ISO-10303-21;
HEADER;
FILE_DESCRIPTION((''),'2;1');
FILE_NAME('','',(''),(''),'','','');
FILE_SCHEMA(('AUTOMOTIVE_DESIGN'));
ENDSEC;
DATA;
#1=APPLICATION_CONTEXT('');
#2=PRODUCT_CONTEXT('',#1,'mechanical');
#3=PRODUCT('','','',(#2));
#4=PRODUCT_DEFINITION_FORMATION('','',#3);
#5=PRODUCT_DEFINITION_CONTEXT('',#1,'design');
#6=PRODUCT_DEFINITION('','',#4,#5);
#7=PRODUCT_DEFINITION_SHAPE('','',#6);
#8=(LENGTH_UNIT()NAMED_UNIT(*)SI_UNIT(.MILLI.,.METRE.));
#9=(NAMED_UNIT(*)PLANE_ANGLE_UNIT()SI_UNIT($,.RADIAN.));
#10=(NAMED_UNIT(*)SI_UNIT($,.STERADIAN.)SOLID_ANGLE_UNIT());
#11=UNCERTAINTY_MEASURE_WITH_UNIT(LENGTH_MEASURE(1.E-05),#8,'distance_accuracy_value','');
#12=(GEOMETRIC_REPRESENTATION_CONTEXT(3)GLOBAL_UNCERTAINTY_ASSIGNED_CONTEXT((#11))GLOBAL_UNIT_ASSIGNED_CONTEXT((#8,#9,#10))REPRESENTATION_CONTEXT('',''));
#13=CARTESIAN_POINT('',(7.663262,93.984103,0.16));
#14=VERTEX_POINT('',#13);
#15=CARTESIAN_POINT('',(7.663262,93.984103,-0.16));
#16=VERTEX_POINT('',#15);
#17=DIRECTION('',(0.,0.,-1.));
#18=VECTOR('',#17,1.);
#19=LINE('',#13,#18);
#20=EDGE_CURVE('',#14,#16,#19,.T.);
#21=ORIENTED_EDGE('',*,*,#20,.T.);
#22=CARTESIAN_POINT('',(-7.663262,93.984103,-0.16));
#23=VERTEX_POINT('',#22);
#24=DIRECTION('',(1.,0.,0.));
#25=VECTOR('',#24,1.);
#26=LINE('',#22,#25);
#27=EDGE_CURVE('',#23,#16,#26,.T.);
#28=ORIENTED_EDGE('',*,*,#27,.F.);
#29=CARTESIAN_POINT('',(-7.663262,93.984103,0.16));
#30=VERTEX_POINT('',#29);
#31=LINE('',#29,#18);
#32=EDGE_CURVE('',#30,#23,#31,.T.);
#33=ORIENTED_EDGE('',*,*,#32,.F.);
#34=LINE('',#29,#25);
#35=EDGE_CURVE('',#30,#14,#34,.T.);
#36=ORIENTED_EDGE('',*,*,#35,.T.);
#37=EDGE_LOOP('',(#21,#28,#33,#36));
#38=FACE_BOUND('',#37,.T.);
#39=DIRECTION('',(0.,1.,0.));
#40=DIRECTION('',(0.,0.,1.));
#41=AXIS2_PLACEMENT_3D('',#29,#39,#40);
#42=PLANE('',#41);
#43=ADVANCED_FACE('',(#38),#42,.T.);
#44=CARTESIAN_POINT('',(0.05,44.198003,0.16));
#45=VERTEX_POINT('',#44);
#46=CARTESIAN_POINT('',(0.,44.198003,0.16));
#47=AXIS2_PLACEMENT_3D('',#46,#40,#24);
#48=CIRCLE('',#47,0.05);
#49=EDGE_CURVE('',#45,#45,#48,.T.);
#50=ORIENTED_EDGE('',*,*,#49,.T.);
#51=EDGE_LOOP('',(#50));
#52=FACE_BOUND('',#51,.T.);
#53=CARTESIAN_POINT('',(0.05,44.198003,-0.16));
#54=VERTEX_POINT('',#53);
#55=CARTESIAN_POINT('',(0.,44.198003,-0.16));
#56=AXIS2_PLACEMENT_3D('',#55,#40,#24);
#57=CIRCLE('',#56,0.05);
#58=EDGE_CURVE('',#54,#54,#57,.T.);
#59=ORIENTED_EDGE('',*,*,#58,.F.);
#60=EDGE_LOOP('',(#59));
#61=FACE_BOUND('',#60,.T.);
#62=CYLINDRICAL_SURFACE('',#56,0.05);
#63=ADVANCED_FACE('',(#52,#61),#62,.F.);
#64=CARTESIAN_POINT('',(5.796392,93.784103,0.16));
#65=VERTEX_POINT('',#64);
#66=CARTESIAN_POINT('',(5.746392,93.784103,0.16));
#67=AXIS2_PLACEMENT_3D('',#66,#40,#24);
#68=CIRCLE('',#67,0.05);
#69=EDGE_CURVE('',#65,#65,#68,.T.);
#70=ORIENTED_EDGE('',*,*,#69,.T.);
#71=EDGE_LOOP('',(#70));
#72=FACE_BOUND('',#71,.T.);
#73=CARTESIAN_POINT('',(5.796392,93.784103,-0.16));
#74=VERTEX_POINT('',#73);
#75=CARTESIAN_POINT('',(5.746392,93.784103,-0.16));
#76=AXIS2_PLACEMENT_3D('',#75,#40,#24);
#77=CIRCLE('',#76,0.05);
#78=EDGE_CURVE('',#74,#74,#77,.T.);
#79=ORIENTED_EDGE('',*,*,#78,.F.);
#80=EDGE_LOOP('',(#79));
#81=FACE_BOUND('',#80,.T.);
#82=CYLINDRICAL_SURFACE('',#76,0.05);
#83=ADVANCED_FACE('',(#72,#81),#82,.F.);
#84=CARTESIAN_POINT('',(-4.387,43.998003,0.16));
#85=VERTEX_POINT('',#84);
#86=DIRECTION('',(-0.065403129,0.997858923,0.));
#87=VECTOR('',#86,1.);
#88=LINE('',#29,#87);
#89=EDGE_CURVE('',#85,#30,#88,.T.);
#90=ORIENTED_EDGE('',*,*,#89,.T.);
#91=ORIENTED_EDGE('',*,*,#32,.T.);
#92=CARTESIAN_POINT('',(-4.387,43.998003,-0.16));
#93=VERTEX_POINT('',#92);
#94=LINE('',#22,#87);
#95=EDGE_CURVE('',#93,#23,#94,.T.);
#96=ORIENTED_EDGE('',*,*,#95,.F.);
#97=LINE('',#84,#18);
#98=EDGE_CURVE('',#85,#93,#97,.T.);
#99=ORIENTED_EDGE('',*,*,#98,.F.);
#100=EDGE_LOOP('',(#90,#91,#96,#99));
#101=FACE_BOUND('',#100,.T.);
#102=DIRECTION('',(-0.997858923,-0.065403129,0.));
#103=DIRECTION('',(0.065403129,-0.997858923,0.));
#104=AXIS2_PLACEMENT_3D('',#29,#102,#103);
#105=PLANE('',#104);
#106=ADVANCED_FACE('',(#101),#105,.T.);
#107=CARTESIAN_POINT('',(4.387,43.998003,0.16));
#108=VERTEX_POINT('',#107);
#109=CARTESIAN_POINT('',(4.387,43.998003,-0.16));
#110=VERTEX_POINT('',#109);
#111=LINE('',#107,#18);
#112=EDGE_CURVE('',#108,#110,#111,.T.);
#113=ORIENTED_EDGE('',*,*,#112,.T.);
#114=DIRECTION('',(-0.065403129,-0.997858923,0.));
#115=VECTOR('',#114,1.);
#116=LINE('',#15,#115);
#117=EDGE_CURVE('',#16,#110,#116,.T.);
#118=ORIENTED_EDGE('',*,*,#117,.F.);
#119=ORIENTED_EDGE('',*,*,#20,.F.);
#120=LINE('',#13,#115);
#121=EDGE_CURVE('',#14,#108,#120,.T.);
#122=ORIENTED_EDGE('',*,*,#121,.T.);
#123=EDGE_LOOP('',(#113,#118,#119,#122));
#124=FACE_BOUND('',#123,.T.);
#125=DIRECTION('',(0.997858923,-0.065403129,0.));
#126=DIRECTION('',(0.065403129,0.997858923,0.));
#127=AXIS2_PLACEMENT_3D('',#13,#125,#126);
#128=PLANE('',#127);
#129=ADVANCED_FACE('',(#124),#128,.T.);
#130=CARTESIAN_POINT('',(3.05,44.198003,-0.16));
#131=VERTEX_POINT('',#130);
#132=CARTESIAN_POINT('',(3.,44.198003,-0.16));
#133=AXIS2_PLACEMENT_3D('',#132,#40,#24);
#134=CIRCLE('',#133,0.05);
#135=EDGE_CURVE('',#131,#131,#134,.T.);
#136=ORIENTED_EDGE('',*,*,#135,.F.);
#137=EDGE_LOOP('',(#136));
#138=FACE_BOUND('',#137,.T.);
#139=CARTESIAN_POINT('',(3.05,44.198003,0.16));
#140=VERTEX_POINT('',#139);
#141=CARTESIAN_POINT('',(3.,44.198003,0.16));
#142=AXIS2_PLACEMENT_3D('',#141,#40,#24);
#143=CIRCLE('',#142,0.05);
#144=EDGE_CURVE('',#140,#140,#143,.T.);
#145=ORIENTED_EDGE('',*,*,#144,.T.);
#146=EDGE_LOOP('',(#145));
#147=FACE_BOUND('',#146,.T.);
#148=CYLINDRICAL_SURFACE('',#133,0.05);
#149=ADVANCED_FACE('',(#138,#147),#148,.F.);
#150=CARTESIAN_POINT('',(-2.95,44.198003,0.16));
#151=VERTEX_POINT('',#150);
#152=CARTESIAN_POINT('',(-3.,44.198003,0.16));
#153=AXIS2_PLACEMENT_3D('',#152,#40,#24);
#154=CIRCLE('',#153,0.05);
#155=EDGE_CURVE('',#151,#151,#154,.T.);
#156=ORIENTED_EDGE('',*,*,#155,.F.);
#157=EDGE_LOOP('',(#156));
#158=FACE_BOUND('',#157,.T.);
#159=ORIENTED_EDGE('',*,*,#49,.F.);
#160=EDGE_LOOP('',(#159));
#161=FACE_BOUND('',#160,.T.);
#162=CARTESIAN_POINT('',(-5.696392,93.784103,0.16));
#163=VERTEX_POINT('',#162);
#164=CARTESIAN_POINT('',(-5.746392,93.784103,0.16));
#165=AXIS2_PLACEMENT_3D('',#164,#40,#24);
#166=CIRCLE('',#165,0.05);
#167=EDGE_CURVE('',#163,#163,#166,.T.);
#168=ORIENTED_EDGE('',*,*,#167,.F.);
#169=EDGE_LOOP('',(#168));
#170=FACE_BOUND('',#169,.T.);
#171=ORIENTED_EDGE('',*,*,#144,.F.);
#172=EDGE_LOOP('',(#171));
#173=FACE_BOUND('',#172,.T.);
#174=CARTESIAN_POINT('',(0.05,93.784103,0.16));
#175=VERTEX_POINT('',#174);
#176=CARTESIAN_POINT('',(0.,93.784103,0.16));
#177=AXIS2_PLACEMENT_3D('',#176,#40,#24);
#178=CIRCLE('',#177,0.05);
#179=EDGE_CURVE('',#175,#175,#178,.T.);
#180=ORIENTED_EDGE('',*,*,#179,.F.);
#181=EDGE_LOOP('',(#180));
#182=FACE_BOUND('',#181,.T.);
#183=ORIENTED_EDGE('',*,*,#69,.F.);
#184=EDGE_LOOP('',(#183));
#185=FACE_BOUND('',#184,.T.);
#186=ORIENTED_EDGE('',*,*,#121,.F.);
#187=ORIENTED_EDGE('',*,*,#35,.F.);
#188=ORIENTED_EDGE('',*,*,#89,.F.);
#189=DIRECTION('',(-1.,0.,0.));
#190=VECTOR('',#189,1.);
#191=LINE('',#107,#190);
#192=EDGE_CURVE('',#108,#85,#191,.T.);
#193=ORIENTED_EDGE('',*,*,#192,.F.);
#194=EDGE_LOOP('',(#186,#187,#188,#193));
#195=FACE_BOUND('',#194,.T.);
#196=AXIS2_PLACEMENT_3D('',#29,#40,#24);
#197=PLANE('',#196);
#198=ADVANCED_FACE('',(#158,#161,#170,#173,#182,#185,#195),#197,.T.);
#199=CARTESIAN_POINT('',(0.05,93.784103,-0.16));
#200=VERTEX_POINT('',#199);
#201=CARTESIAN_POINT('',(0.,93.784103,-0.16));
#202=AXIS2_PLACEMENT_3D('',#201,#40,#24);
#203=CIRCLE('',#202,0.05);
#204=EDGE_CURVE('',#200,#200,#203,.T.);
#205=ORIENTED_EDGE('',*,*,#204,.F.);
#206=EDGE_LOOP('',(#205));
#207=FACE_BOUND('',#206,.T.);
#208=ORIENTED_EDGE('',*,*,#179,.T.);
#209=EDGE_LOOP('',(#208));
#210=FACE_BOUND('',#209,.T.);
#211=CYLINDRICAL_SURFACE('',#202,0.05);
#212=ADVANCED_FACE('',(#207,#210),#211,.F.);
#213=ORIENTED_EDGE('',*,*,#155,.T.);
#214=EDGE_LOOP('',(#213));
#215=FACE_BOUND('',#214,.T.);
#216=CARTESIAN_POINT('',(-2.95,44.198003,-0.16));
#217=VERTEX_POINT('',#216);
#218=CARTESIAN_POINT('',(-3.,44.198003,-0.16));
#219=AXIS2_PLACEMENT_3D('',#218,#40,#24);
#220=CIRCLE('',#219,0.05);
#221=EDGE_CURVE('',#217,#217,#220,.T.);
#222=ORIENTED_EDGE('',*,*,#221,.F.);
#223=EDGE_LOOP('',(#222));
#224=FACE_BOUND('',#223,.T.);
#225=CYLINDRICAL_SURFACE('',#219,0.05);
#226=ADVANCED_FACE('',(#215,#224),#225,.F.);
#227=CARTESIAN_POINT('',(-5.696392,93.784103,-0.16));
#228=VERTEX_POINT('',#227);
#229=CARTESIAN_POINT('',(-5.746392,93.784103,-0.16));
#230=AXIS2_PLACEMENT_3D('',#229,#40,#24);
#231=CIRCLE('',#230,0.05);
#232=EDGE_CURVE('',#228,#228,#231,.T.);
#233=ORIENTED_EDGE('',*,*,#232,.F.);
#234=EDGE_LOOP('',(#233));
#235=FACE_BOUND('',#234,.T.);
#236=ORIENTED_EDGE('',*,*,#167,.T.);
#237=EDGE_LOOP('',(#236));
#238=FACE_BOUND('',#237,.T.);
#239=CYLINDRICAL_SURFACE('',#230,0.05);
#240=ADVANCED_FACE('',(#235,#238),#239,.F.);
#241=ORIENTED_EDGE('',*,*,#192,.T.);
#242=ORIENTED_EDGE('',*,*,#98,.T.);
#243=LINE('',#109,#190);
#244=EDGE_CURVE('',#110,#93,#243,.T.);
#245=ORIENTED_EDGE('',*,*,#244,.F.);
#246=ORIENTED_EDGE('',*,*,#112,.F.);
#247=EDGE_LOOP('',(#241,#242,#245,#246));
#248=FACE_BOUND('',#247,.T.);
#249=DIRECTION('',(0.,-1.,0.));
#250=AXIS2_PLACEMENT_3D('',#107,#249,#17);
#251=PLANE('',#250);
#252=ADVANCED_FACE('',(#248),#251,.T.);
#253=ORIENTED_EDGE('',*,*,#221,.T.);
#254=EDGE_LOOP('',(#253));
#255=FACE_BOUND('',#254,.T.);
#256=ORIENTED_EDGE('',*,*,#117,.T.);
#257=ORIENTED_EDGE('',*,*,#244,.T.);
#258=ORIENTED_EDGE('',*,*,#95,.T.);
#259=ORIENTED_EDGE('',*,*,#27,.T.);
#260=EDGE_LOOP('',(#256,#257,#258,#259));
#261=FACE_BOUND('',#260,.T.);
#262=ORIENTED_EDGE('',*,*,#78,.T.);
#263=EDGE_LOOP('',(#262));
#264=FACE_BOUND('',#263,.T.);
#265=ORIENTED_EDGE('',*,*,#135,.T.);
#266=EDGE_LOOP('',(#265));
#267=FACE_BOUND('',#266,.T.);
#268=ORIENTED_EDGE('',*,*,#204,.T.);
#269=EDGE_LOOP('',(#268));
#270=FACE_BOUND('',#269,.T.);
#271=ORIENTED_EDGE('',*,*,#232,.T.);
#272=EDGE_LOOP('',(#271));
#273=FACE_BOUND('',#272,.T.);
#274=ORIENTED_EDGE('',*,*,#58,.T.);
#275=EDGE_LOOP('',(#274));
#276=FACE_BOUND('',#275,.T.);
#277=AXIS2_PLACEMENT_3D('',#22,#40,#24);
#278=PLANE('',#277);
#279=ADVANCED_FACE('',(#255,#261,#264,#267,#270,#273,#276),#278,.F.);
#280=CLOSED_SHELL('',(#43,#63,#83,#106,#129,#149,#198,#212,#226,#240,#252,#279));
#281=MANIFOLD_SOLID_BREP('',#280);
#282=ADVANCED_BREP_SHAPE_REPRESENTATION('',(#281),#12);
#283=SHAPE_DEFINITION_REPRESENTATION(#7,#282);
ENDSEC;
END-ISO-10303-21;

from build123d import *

# Parameters (mm, degrees)
EXTRUDE1_DEPTH = 0.16
SKETCH4_R      = 0.05
EXTRUDE3_DEPTH = 1.32


with BuildPart() as part:
    # Sketch1 → Extrude1 (new body, symmetric)
    with BuildSketch(Plane(origin=(0, 0, 0), x_dir=(-1, 0, 0), z_dir=(0, 0, -1))):
        Polygon((-4.387, 43.998003308), (4.387, 43.998003308), (7.663262056, 93.984102838), (-7.663262056, 93.984102838), align=None)
    extrude(amount=EXTRUDE1_DEPTH, both=True)

    # Sketch4 → Extrude3 (cut, through all)
    with BuildSketch(Plane.XY.offset(0.16)):
        with Locations((-3, 44.198003308)):
            Circle(SKETCH4_R)
        with Locations((0, 44.198003308)):
            Circle(SKETCH4_R)
        with Locations((3, 44.198003308)):
            Circle(SKETCH4_R)
        with Locations((-5.746391555, 93.784102838)):
            Circle(SKETCH4_R)
        with Locations((0, 93.784102838)):
            Circle(SKETCH4_R)
        with Locations((5.746391555, 93.784102838)):
            Circle(SKETCH4_R)
    extrude(amount=-EXTRUDE3_DEPTH, mode=Mode.SUBTRACT)


solid = part.part
